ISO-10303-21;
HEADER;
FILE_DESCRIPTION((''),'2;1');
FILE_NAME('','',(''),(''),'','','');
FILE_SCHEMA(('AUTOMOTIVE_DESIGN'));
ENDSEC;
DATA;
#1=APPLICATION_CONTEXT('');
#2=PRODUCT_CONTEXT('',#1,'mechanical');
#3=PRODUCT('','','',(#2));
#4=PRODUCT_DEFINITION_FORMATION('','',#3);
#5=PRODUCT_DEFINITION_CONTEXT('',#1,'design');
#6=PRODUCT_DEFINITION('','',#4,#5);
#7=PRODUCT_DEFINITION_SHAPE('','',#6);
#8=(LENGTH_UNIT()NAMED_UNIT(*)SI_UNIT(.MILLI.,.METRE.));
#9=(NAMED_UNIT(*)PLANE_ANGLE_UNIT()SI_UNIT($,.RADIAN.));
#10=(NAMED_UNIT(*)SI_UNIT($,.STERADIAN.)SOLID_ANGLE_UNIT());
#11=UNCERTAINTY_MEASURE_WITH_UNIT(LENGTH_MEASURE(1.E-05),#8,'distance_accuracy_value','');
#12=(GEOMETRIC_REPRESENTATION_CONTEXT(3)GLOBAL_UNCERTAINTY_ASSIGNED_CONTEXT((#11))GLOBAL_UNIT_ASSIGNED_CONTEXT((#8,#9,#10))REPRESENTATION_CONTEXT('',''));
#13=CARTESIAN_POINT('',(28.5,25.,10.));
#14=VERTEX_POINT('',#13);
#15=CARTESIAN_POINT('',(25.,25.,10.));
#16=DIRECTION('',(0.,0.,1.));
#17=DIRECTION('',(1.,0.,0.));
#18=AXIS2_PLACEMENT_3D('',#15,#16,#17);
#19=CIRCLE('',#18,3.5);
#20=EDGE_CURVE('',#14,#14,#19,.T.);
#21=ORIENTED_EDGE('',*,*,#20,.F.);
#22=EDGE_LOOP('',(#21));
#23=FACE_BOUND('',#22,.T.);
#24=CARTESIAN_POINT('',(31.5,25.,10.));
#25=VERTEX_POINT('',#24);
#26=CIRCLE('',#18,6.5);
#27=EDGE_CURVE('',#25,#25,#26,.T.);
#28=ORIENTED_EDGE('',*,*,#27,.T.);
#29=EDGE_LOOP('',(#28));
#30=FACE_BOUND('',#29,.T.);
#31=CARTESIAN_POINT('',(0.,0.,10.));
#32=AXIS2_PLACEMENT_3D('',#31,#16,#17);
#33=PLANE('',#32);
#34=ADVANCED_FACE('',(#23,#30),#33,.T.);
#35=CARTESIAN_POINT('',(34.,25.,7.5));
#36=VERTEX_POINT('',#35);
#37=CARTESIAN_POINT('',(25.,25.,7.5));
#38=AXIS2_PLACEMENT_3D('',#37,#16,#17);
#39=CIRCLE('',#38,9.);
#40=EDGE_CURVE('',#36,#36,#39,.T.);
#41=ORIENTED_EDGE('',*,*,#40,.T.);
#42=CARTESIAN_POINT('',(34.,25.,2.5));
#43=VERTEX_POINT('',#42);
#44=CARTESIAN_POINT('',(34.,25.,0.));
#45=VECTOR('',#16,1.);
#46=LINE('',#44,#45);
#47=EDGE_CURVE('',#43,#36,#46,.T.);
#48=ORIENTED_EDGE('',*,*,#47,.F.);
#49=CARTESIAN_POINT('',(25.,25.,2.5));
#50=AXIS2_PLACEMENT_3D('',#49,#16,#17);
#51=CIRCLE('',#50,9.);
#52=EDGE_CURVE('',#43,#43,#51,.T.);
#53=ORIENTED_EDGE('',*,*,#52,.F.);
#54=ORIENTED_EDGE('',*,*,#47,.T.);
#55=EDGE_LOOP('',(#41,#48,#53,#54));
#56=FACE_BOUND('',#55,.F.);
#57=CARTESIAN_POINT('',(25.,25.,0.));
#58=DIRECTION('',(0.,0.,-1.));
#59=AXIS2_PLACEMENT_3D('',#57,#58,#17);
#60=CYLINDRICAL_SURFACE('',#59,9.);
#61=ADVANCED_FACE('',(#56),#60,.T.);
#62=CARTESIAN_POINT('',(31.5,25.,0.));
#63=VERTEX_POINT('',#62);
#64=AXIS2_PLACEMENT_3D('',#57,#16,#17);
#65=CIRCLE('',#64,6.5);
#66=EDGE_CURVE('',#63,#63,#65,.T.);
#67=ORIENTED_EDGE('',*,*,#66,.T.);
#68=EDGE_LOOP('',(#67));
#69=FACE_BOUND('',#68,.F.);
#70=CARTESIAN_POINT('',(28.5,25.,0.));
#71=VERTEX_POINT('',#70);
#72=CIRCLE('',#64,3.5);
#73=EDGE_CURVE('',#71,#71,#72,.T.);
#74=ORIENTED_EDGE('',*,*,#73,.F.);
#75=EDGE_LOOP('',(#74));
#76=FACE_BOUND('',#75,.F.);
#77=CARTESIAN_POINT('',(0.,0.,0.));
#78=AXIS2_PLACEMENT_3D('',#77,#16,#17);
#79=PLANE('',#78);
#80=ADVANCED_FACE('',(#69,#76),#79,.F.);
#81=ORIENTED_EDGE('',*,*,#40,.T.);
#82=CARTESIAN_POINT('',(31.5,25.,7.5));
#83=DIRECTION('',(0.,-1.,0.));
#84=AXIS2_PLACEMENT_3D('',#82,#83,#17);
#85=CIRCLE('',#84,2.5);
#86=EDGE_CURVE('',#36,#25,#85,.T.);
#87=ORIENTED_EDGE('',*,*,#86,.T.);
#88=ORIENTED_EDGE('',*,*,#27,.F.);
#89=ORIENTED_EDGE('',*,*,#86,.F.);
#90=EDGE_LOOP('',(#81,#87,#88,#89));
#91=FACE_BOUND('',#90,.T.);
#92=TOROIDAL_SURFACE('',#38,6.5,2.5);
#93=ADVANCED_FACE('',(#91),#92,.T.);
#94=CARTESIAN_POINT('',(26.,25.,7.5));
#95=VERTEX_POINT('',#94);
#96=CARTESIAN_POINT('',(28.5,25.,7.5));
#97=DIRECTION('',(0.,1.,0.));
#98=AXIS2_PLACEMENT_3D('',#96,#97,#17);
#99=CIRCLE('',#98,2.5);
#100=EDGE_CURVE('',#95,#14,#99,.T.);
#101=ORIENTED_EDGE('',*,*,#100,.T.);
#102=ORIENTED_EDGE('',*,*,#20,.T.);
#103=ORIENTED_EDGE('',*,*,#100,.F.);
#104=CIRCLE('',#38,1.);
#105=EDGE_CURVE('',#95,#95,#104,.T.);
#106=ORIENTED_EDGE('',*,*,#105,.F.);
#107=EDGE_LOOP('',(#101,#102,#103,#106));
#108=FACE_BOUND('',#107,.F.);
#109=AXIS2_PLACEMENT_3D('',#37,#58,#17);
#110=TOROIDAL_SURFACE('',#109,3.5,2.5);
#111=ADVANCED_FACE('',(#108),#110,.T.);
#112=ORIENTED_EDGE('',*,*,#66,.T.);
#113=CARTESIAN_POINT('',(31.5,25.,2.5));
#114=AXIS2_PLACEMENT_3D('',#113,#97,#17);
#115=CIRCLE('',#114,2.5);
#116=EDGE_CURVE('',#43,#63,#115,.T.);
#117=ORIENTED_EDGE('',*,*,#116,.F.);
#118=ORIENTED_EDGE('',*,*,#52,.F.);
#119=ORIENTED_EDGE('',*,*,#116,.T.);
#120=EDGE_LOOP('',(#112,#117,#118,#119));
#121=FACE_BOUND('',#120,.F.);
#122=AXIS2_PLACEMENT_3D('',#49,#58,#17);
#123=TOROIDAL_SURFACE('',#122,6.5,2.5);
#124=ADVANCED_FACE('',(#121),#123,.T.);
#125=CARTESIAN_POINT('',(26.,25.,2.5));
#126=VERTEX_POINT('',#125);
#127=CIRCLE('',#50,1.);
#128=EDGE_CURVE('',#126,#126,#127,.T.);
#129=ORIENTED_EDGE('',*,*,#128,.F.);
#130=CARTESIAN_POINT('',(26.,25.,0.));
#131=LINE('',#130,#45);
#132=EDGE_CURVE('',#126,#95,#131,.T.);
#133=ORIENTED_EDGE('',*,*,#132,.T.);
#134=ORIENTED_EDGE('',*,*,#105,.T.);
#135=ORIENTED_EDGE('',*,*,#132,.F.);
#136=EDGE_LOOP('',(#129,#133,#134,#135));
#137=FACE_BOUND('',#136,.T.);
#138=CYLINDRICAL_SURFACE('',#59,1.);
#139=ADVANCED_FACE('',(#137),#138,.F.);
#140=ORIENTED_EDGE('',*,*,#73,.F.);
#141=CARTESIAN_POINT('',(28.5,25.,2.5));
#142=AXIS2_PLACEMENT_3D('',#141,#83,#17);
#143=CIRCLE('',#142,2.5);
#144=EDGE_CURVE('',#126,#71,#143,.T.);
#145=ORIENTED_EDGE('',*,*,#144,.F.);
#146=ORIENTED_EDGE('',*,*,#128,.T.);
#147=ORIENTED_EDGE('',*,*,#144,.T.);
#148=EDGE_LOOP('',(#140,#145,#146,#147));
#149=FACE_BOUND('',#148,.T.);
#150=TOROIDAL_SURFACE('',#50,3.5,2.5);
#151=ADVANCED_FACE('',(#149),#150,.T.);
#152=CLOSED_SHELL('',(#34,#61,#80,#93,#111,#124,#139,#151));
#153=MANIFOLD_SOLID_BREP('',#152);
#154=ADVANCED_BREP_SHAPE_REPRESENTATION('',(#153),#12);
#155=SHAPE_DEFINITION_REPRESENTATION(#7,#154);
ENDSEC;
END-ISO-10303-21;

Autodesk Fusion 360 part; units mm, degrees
sketch "Sketch1" plane through (0, 0, 0) normal (0, 0, 1) x (1, 0, 0)
  circle A0 centre (25, 25) radius 9
  circle A1 centre (25, 25) radius 1
  dimension "d1" = 18
  dimension "d2" = 2
extrude "Extrude1" add sketch "Sketch1" along normal blind 10
fillet "Fillet1" radius 2.5 4 faces at (31.2961, 24.5032, 10) (25.7971, 25.6038, 6.6667) (33.9888, 24.5514, 6.6667) (31.2961, 24.5032, 0)
